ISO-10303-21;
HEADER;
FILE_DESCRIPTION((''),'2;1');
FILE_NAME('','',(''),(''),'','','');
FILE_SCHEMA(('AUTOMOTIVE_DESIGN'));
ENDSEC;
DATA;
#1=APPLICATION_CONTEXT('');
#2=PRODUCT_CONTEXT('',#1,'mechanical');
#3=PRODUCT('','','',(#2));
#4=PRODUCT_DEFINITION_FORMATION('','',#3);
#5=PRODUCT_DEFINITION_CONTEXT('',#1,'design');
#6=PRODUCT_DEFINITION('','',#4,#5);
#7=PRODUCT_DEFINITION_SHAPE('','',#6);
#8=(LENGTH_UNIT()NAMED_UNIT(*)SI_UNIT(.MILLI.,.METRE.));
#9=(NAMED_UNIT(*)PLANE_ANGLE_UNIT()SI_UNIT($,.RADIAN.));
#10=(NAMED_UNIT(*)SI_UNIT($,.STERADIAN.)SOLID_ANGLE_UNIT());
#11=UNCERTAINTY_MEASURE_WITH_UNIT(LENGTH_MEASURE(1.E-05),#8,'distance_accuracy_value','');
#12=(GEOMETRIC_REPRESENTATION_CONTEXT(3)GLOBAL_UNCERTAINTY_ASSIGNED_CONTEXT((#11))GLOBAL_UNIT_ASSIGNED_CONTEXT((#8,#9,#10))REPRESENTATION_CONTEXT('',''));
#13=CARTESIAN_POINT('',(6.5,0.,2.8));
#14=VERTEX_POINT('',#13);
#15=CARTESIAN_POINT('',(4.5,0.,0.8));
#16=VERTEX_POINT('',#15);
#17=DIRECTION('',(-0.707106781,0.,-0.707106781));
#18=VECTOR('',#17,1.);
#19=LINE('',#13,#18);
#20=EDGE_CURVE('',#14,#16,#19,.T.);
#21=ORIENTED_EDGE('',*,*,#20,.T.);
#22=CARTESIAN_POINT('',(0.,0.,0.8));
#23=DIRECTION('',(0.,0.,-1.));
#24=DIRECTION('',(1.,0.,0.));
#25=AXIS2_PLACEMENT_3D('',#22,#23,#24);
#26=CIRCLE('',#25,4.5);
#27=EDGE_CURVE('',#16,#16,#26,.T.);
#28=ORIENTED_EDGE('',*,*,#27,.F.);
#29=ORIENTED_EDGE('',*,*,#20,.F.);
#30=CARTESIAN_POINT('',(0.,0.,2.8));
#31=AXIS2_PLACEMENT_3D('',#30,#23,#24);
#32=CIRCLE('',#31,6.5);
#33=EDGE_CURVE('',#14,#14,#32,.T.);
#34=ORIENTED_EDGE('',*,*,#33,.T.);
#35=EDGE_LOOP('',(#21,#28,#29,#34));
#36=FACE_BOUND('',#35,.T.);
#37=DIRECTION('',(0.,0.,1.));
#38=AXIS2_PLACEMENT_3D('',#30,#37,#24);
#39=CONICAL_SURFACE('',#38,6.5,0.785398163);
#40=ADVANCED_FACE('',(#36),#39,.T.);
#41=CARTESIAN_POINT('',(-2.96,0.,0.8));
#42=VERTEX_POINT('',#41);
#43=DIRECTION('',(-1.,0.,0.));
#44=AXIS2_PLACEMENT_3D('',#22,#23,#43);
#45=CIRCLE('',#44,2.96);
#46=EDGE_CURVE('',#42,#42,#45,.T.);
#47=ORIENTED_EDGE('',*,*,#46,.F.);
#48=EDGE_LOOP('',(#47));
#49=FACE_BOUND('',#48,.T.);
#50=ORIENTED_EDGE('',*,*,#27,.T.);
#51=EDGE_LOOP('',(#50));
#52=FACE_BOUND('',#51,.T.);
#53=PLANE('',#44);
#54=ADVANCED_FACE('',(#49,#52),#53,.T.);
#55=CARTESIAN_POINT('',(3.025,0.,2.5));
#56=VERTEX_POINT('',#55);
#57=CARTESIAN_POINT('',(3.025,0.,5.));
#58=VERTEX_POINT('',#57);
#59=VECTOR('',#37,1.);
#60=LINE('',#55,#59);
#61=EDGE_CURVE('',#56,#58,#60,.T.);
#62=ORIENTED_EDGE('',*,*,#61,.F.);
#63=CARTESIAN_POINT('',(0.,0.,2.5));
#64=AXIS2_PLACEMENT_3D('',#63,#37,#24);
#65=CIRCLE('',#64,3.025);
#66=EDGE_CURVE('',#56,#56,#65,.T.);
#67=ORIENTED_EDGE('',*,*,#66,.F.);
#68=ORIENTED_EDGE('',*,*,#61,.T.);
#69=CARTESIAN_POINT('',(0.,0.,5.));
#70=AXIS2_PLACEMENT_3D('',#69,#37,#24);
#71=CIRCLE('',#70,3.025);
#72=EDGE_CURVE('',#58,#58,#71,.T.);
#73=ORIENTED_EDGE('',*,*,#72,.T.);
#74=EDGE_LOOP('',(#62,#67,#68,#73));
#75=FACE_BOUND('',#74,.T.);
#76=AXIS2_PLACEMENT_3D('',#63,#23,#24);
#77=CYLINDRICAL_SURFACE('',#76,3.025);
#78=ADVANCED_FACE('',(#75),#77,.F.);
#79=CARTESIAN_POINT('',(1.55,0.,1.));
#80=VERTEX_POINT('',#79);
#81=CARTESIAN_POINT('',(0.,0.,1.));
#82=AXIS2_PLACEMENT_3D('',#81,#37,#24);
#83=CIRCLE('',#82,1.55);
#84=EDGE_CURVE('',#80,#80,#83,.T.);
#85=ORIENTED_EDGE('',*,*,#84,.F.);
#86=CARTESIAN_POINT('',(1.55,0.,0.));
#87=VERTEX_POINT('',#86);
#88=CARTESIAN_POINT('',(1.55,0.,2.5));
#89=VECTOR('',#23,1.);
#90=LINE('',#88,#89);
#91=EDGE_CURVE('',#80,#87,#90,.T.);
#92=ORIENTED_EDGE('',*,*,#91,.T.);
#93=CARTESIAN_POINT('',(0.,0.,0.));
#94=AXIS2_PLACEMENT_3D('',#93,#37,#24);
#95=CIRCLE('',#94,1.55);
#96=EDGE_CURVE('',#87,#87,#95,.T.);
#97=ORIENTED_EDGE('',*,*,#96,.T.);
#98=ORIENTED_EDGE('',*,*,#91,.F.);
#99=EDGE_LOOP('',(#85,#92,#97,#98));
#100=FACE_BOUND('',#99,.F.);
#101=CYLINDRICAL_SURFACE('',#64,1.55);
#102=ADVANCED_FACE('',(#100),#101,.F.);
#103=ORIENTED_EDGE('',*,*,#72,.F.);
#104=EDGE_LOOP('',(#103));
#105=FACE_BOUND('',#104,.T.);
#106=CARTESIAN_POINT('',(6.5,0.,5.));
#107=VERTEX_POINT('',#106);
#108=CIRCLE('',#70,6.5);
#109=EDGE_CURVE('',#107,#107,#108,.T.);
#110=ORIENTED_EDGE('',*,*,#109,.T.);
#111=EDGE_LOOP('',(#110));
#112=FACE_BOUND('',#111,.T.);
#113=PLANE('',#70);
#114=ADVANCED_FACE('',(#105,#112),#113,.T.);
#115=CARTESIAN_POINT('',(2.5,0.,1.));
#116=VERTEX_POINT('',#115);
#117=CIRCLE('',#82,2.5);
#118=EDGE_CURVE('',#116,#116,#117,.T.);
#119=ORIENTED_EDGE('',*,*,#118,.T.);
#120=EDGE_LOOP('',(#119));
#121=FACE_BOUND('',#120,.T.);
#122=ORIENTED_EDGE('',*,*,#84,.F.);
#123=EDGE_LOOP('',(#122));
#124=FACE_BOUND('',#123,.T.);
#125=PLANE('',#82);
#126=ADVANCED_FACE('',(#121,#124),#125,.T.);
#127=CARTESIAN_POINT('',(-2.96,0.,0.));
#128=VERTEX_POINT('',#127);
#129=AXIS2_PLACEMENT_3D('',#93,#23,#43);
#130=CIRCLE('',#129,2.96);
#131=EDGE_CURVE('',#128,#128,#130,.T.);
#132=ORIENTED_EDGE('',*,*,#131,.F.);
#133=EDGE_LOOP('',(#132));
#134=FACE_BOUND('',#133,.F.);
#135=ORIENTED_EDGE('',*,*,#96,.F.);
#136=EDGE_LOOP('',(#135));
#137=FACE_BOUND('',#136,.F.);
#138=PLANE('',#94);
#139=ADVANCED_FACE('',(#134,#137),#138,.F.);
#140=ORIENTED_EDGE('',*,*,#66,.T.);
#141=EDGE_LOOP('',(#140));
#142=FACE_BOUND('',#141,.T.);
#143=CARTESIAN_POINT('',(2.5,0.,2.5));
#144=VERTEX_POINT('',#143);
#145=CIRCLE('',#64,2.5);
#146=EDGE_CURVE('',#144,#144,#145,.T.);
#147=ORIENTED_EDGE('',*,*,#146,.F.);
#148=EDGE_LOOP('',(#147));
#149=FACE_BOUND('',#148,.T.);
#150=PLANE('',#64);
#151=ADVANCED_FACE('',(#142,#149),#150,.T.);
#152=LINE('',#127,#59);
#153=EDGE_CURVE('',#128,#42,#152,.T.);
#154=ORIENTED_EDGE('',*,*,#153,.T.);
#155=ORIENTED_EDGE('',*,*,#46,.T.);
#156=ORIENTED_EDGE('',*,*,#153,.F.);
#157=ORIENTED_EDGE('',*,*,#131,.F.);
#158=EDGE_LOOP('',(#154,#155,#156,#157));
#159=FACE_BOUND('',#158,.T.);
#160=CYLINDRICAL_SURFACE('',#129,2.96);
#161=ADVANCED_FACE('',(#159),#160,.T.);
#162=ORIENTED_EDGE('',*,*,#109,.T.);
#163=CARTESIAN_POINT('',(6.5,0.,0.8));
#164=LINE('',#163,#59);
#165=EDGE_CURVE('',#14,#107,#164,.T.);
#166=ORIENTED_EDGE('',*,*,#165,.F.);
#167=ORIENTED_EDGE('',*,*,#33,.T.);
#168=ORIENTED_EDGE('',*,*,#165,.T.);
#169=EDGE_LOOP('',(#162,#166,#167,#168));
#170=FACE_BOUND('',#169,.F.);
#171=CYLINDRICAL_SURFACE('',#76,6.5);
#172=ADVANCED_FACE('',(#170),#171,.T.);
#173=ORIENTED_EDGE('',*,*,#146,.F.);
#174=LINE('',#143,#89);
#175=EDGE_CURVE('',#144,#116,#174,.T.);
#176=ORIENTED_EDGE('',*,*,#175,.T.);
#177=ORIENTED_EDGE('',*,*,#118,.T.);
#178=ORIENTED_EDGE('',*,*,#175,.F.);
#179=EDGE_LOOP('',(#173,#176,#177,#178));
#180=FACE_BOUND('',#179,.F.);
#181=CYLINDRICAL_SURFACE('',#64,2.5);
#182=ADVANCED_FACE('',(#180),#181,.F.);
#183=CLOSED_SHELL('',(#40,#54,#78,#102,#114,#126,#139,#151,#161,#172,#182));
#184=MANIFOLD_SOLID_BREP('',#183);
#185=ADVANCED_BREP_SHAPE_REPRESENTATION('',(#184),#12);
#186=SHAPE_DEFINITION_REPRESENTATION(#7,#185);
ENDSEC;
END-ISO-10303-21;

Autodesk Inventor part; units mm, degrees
ref_plane "YZ Plane" through (0, 0, 0) normal (1, 0, 0) x (0, 1, 0)
ref_plane "XZ Plane" through (0, 0, 0) normal (0, 1, 0) x (-1, 0, 0)
ref_plane "XY Plane" through (0, 0, 0) normal (0, 0, 1) x (1, 0, 0)
sketch "Sketch1" plane through (0, 0, 0) normal (0, 0, 1) x (1, 0, 0)
  circle A0 centre (0, 0) radius 6.5
  dimension "d0" = 13
extrude "Extrusion1" add sketch "Sketch1" along normal blind 2.5
sketch "Sketch2" plane through (0, 0, 2.5) normal (0, 0, 1) x (1, 0, 0)
  circle A0 centre (0, 0) radius 1.55
  dimension "d3" = 3.1
extrude "Extrusion2" cut sketch "Sketch2" against normal through all
sketch "Sketch3" plane through (0, 0, 0) normal (0, 0, -1) x (-1, 0, 0)
  circle A0 centre (0, 0) radius 2.96
  circle A1 centre (0, 0) radius 7.5
  dimension "d6" = 5.92
  dimension "d16" = 15
extrude "Extrusion3" cut sketch "Sketch3" against normal blind 0.8
sketch "Sketch4" plane through (0, 0, 2.5) normal (0, 0, 1) x (1, 0, 0)
  circle A0 centre (0, 0) radius 2.5
  dimension "d9" = 5
extrude "Extrusion4" cut sketch "Sketch4" against normal blind 1.5
sketch "Sketch5" plane through (0, 0, 2.5) normal (0, 0, 1) x (1, 0, 0)
  circle A0 centre (0, 0) radius 6.5
  circle A1 centre (0, 0) radius 2.5 projected
  circle A2 centre (0, 0) radius 3.025
  circle A3 centre (0, 0) radius 6.5 projected
  dimension "d12" = 6.05
  dimension "d15" = 0
extrude "Extrusion5" add sketch "Sketch5" along normal blind 2.5 contours A0
chamfer "Chamfer1" distance 2 angle 45 1 edges at (-6.5, 0, 0.8)
properties part number "motor_and_magnet_holder"
